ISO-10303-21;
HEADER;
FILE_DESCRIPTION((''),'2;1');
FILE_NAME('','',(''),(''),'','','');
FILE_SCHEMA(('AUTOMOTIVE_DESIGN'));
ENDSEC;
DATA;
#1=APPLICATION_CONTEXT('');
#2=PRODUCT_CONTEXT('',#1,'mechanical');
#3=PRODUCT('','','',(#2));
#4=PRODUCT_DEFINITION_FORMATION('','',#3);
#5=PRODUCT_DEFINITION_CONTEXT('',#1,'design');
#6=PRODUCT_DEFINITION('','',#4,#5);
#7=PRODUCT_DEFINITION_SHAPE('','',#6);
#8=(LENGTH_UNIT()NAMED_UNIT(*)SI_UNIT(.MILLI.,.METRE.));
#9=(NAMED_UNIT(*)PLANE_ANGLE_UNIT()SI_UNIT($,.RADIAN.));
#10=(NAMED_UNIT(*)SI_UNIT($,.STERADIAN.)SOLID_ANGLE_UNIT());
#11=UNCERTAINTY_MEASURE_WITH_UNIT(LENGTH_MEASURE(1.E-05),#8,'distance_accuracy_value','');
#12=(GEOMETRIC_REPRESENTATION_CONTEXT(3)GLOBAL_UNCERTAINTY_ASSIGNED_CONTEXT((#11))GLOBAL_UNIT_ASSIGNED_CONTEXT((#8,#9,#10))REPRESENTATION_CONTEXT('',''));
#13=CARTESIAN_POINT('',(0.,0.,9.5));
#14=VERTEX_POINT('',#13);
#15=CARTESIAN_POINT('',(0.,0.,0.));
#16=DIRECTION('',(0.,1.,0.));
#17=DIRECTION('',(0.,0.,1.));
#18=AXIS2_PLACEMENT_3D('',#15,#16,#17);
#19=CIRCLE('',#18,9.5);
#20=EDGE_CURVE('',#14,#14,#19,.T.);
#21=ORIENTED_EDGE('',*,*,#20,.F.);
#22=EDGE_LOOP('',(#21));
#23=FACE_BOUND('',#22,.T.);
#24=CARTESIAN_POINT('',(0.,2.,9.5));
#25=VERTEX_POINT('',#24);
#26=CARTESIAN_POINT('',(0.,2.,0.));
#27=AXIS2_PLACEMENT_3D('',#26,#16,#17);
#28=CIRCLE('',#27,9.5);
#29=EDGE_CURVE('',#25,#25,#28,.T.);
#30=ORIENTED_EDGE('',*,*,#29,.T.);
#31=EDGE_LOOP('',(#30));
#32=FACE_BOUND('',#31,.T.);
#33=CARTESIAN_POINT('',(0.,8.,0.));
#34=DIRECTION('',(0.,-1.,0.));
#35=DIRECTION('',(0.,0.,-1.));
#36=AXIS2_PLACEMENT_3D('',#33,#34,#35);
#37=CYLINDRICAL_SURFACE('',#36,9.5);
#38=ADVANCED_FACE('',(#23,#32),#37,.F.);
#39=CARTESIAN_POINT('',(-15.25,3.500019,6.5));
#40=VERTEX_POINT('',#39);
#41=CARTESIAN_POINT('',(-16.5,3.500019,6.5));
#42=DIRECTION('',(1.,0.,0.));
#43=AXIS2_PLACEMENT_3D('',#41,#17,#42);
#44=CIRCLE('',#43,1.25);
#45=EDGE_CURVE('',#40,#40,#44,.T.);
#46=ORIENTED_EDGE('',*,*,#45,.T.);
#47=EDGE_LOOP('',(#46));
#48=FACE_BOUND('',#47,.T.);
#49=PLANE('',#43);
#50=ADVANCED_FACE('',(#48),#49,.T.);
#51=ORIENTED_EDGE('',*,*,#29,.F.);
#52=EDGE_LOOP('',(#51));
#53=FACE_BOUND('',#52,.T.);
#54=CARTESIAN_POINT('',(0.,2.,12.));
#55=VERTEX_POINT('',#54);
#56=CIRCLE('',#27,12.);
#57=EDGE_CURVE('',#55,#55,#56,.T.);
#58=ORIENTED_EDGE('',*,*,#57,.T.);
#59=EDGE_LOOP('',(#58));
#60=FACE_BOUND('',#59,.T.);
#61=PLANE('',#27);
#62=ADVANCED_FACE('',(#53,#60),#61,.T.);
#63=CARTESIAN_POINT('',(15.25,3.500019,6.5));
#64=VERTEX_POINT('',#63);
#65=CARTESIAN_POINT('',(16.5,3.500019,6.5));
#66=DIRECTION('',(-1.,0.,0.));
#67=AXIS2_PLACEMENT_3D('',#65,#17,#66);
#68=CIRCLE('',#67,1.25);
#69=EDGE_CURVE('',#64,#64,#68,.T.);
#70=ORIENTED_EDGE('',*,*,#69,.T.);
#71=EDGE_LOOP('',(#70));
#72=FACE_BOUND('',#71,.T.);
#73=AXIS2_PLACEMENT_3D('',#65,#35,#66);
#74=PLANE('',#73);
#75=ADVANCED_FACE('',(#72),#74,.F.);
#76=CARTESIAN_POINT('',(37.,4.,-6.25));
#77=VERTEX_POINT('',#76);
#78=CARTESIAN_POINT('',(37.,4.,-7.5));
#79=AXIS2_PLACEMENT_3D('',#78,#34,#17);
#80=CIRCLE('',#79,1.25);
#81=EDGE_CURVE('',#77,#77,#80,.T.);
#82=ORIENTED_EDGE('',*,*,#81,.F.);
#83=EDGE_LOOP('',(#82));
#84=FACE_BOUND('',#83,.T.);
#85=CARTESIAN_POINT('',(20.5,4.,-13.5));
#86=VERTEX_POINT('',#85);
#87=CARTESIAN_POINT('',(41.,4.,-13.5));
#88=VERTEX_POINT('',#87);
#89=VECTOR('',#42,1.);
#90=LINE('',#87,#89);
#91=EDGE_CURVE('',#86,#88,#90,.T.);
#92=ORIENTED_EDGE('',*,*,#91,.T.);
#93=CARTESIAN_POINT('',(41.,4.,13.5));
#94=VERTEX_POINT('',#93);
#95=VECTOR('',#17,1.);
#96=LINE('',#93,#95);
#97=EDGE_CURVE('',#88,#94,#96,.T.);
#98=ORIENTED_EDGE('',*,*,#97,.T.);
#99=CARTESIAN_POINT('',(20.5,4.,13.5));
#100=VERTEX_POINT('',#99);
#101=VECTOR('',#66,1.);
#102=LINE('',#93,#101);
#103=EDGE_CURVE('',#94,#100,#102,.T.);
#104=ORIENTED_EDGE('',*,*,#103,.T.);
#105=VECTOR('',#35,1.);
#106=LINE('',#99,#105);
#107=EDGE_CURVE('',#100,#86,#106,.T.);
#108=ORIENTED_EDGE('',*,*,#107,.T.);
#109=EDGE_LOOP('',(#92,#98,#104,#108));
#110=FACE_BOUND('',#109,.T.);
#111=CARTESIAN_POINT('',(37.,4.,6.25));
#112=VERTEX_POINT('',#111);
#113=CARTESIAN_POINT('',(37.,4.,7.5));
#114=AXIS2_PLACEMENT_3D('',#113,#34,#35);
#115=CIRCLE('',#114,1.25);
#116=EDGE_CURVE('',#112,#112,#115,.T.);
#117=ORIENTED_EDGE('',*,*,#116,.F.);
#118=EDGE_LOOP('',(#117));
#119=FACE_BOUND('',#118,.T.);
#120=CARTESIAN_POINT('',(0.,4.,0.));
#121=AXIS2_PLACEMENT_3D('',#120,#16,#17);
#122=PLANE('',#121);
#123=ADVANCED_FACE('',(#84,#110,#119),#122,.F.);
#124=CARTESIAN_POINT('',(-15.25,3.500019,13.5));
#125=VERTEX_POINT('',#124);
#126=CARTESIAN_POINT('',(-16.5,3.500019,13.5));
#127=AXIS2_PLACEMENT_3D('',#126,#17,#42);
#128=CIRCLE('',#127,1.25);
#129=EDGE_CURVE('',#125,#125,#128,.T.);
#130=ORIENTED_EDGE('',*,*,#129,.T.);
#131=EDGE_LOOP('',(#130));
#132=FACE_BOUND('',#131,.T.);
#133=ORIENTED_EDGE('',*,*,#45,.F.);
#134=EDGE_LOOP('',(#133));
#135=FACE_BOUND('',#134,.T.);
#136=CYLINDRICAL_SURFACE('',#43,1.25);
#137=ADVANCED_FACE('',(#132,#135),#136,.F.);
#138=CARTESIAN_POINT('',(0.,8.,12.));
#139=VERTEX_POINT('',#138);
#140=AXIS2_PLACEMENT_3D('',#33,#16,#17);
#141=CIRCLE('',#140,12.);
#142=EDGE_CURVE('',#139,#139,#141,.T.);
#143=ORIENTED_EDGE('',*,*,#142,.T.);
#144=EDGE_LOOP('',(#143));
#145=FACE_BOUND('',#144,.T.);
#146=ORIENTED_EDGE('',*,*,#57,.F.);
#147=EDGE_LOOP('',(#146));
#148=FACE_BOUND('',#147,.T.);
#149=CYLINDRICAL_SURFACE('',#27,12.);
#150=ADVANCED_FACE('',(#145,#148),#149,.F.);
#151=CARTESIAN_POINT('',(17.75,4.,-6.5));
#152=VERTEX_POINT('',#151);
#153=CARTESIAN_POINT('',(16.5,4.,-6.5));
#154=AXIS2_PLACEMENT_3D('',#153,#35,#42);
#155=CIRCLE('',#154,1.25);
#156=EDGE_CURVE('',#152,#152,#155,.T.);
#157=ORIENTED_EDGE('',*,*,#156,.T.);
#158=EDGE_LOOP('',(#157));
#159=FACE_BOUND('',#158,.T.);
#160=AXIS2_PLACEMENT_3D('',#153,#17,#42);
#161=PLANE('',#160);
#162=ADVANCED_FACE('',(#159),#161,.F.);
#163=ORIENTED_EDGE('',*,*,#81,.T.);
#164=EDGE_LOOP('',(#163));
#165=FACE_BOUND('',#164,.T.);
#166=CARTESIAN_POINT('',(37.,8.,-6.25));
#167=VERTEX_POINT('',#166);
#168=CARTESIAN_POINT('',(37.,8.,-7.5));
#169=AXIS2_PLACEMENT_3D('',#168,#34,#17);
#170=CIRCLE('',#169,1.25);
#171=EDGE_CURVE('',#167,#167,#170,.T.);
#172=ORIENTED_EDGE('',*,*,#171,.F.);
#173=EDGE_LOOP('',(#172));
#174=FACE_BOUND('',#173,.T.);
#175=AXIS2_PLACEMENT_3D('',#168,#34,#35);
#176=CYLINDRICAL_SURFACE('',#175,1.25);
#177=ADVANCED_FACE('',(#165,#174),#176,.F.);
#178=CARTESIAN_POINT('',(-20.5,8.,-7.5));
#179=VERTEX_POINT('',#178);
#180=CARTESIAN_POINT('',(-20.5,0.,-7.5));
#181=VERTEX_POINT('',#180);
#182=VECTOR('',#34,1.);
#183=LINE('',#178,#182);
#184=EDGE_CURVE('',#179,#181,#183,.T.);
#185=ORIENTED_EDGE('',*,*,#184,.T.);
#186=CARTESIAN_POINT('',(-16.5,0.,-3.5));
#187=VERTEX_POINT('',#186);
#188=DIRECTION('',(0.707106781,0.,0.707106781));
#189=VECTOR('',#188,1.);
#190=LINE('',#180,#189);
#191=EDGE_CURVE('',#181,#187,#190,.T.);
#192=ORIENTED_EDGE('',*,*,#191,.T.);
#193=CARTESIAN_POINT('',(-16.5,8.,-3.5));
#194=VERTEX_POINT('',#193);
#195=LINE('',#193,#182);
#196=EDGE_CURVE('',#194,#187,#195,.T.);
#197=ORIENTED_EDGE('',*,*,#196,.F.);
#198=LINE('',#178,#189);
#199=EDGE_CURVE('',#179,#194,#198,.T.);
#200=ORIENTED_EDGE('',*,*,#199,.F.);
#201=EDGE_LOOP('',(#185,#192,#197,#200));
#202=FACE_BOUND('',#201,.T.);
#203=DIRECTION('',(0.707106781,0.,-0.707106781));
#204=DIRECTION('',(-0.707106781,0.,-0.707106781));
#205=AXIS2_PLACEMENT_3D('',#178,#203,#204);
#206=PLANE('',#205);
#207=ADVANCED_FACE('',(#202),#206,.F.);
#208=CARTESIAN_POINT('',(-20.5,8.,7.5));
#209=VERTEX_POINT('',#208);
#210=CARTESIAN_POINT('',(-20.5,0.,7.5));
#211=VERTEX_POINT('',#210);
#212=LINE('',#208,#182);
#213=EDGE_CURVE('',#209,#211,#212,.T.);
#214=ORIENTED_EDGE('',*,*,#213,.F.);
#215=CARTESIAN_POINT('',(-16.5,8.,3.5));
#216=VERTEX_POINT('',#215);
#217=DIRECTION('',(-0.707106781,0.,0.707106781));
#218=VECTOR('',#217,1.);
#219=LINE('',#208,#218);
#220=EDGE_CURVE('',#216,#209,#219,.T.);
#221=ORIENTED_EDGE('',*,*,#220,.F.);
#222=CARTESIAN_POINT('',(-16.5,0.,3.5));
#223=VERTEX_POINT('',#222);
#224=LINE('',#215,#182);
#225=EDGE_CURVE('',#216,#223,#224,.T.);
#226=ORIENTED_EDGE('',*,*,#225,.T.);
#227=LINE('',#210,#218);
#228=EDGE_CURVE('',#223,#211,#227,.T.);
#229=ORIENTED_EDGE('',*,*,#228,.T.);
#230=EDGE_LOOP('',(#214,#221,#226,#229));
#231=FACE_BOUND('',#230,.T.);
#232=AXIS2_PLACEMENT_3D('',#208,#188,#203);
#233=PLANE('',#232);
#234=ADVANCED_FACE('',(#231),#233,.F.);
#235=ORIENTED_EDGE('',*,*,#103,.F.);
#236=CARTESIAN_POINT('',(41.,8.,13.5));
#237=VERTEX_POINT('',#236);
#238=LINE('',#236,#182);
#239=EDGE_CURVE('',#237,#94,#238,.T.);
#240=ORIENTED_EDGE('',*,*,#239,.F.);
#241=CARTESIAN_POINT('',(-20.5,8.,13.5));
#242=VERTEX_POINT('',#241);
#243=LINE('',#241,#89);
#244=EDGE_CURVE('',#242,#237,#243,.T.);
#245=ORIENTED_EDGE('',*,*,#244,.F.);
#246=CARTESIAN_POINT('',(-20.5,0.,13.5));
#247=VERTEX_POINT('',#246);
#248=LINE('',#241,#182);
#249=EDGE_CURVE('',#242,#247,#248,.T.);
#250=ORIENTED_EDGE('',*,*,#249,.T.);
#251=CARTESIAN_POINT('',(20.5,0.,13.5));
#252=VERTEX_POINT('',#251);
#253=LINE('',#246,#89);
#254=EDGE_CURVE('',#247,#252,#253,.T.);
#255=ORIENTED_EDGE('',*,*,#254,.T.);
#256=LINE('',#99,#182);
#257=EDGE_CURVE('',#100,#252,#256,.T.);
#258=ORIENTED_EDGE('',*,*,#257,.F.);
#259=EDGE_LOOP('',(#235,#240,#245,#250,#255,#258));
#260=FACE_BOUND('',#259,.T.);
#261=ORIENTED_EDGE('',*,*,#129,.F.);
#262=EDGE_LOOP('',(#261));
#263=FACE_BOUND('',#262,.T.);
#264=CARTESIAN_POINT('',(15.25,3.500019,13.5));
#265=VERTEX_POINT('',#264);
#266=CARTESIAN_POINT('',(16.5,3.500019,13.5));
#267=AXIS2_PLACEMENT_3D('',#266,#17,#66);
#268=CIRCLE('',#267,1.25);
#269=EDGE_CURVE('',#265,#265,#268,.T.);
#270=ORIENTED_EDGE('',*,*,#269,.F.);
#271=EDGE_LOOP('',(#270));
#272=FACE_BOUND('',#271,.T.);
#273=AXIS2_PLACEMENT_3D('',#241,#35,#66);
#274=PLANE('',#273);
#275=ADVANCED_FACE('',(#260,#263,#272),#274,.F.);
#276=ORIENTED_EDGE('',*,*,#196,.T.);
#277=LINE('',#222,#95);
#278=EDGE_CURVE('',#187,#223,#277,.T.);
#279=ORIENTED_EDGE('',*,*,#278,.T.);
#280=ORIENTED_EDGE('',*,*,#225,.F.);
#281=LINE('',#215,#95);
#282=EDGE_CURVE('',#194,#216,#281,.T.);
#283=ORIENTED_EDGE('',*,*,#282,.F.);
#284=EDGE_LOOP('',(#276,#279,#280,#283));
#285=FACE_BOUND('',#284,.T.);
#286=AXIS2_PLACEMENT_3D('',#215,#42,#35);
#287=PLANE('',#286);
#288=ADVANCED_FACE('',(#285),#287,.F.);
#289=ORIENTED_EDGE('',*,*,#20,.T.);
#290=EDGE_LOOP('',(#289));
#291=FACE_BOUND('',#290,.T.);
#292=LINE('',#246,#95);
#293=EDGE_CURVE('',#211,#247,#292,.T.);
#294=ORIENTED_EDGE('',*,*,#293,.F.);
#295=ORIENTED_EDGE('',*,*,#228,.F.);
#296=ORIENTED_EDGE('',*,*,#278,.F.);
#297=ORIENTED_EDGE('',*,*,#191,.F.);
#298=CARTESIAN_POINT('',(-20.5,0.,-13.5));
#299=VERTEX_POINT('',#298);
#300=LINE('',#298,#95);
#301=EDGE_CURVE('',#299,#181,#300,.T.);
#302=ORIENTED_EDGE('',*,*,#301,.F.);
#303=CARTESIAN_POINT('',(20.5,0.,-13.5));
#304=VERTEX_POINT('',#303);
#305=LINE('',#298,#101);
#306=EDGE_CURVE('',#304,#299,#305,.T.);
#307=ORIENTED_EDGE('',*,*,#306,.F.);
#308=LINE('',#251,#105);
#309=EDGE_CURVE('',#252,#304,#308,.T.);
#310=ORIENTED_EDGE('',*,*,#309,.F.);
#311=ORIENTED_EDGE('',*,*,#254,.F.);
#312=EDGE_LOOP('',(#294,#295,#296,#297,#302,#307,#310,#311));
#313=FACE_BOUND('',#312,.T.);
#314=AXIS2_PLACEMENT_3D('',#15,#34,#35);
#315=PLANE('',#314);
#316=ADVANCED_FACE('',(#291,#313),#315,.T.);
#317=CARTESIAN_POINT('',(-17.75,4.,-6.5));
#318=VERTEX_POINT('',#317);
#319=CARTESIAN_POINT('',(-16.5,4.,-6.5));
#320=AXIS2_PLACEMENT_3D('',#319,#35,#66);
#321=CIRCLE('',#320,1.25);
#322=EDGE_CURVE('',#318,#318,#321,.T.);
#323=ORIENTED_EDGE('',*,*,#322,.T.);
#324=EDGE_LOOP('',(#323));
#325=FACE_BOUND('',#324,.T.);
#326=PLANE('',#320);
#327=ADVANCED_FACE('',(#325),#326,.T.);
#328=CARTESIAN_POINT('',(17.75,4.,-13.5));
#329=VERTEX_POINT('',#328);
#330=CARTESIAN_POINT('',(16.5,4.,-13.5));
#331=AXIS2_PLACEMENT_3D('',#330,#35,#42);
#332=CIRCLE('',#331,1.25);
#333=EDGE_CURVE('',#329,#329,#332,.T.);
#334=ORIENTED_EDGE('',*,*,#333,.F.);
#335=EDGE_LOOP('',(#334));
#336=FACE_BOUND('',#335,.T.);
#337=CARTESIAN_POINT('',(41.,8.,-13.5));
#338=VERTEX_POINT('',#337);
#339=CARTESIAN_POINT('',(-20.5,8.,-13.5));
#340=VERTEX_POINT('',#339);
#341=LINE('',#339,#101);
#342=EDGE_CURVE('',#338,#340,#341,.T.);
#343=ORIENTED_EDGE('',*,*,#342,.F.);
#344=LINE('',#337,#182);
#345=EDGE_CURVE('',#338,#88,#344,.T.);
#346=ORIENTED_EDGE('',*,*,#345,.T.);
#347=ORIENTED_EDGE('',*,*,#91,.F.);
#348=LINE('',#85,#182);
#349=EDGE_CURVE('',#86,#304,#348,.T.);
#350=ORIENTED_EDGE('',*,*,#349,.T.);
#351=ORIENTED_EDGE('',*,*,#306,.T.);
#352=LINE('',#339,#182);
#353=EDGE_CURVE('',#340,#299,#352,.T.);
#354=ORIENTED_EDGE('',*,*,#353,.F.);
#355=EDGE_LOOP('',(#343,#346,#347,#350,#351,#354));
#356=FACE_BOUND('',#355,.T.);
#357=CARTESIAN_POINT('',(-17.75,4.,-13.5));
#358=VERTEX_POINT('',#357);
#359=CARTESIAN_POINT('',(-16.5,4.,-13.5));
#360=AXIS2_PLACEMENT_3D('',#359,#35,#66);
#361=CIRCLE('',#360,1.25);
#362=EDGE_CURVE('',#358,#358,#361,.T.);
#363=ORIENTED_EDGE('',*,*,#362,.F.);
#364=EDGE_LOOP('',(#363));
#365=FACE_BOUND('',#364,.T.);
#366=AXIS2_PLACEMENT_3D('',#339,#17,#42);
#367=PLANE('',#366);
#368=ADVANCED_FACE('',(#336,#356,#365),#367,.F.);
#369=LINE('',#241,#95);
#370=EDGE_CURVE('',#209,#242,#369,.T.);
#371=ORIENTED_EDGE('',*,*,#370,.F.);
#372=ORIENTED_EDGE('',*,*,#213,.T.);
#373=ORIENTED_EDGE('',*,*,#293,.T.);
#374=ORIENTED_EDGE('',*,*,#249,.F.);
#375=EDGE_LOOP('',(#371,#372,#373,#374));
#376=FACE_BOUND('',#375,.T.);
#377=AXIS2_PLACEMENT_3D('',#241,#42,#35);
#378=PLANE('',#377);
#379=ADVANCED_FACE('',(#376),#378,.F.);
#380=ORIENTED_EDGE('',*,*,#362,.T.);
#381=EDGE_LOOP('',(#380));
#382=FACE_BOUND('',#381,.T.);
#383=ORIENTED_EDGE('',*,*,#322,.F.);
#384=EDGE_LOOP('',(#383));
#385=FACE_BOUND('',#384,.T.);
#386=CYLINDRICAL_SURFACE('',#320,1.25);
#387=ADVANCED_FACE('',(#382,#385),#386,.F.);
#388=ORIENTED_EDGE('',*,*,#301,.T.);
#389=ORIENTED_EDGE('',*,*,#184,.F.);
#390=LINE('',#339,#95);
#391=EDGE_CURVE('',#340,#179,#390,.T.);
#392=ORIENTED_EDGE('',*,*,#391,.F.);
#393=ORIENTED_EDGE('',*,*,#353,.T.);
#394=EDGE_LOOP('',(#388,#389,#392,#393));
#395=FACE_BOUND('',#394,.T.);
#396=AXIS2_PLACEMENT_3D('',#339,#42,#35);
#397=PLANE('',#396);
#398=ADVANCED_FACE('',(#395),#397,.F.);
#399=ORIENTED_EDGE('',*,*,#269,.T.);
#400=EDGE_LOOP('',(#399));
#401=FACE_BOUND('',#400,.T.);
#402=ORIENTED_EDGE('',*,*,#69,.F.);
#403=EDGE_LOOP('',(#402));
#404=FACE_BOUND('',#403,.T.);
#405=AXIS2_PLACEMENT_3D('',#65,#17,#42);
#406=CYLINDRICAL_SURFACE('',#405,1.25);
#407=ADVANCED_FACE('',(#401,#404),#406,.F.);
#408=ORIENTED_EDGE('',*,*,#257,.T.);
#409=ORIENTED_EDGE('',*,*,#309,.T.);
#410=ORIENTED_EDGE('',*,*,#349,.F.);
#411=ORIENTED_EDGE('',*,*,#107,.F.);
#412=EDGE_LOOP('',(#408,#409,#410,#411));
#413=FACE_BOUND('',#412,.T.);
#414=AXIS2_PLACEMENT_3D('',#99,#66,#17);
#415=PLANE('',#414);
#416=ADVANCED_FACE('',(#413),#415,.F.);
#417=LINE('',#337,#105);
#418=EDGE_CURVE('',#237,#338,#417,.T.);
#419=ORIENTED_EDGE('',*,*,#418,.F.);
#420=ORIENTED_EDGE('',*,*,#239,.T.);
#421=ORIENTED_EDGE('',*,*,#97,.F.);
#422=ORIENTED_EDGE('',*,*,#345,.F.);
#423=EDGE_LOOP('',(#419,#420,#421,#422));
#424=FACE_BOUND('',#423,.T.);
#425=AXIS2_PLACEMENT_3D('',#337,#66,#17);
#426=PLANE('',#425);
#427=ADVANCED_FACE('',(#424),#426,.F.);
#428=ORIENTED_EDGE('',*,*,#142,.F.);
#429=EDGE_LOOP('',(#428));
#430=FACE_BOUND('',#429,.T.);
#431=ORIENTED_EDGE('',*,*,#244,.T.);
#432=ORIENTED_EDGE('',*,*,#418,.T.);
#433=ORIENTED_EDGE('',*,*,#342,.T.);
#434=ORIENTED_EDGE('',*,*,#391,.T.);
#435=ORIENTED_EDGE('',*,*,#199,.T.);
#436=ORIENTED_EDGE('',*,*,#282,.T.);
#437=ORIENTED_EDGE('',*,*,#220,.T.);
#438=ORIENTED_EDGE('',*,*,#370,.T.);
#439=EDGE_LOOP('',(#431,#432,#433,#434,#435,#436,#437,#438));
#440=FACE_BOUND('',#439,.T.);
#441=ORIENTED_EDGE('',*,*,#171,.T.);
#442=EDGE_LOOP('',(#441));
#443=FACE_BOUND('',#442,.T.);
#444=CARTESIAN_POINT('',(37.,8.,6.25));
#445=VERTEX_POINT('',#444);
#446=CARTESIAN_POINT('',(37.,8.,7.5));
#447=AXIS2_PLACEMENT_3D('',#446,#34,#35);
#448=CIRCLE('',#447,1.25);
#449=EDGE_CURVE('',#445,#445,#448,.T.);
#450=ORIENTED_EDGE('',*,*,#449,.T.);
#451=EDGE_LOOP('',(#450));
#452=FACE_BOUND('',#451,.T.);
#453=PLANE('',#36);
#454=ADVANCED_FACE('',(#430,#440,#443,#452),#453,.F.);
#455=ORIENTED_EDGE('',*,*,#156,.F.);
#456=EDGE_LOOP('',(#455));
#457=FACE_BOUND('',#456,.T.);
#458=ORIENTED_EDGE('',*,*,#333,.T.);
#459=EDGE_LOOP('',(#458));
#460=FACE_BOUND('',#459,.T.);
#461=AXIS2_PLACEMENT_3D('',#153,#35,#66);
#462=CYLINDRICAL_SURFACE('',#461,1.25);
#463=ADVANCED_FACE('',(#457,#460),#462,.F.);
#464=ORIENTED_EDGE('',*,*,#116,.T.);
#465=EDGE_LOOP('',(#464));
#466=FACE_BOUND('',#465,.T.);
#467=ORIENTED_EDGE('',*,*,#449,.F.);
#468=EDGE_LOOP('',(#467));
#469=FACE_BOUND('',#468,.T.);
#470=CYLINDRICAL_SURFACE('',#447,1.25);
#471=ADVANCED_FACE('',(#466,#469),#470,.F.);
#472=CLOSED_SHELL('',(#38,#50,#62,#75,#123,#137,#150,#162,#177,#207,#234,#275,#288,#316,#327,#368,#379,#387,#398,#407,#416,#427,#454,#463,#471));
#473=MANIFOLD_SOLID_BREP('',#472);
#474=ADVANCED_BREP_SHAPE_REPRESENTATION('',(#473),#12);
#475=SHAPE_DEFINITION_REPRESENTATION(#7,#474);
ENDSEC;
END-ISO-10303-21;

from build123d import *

# Parameters (mm, degrees)
SKETCH_1_R          = 9.5
EXTRUDE_1_DEPTH     = 8
SKETCH_1_2_R        = 9.5
EXTRUDE_2_DEPTH     = 8
SKETCH_2_R          = 12
CUT_EXTRUDE_1_DEPTH = 6
SKETCH_3_W          = 20.5
SKETCH_3_H          = 27
CUT_EXTRUDE_2_DEPTH = 4
SKETCH_4_R          = 1.25
CUT_EXTRUDE_3_DEPTH = 5
SKETCH_5_R          = 1.25
CUT_EXTRUDE_4_DEPTH = 7
SKETCH_6_R          = 1.25
CUT_EXTRUDE_5_DEPTH = 7


with BuildPart() as part:
    # Sketch 1 → Extrude 1 (new body)
    with BuildSketch(Plane(origin=(0, 0, 0), x_dir=(1, 0, 0), z_dir=(0, 1, 0))):
        Polygon((-20.5, -13.5), (-20.5, -7.5), (-16.5, -3.5), (-16.5, 3.5), (-20.5, 7.5), (-20.5, 13.5), (41, 13.5), (41, -13.5), align=None)
        with Locations(Location((0, 0, 0), (0, 0, 270))):  # turned: the seam where the file's is
            Circle(SKETCH_1_R, mode=Mode.SUBTRACT)
    extrude(amount=EXTRUDE_1_DEPTH)

    # Sketch 1_2 → Extrude 2 (add)
    with BuildSketch(Plane(origin=(0, 0, 0), x_dir=(1, 0, 0), z_dir=(0, 1, 0))):
        Polygon((-20.5, -13.5), (-20.5, -7.5), (-16.5, -3.5), (-16.5, 3.5), (-20.5, 7.5), (-20.5, 13.5), (41, 13.5), (41, -13.5), align=None)
        with Locations(Location((0, 0, 0), (0, 0, 270))):  # turned: the seam where the file's is
            Circle(SKETCH_1_2_R, mode=Mode.SUBTRACT)
    extrude(amount=EXTRUDE_2_DEPTH)

    # Sketch 2 → Cut-Extrude 1 (cut)
    with BuildSketch(Plane(origin=(0, 8, 0), x_dir=(1, 0, 0), z_dir=(0, 1, 0))):
        with Locations(Location((0, 0, 0), (0, 0, 270))):  # turned: the seam where the file's is
            Circle(SKETCH_2_R)
    extrude(amount=-CUT_EXTRUDE_1_DEPTH, mode=Mode.SUBTRACT)

    # Sketch 3 → Cut-Extrude 2 (cut)
    with BuildSketch(Plane.XZ):
        with Locations((30.75, 0)):
            Rectangle(SKETCH_3_W, SKETCH_3_H)
    extrude(amount=-CUT_EXTRUDE_2_DEPTH, mode=Mode.SUBTRACT)

    # Sketch 4 → Cut-Extrude 3 (cut, through all)
    with BuildSketch(Plane.XZ.offset(-4)):
        with Locations(Location((37, 7.5, 0), (0, 0, 270))):  # turned: the seam where the file's is
            Circle(SKETCH_4_R)
        with Locations(Location((37, -7.5, 0), (0, 0, 90))):  # turned: the seam where the file's is
            Circle(SKETCH_4_R)
    extrude(amount=-CUT_EXTRUDE_3_DEPTH, mode=Mode.SUBTRACT)

    # Sketch 5 → Cut-Extrude 4 (cut)
    with BuildSketch(Plane.XY.offset(13.5)):
        with Locations((-16.5, 3.500018951)):
            Circle(SKETCH_5_R)
        with Locations(Location((16.5, 3.500018951, 0), (0, 0, 180))):  # turned: the seam where the file's is
            Circle(SKETCH_5_R)
    extrude(amount=-CUT_EXTRUDE_4_DEPTH, mode=Mode.SUBTRACT)

    # Sketch 6 → Cut-Extrude 5 (cut)
    with BuildSketch(Plane(origin=(0, 0, -13.5), x_dir=(-1, 0, 0), z_dir=(0, 0, -1))):
        with Locations((16.5, 4)):
            Circle(SKETCH_6_R)
        with Locations(Location((-16.5, 4, 0), (0, 0, 180))):  # turned: the seam where the file's is
            Circle(SKETCH_6_R)
    extrude(amount=-CUT_EXTRUDE_5_DEPTH, mode=Mode.SUBTRACT)


solid = part.part
